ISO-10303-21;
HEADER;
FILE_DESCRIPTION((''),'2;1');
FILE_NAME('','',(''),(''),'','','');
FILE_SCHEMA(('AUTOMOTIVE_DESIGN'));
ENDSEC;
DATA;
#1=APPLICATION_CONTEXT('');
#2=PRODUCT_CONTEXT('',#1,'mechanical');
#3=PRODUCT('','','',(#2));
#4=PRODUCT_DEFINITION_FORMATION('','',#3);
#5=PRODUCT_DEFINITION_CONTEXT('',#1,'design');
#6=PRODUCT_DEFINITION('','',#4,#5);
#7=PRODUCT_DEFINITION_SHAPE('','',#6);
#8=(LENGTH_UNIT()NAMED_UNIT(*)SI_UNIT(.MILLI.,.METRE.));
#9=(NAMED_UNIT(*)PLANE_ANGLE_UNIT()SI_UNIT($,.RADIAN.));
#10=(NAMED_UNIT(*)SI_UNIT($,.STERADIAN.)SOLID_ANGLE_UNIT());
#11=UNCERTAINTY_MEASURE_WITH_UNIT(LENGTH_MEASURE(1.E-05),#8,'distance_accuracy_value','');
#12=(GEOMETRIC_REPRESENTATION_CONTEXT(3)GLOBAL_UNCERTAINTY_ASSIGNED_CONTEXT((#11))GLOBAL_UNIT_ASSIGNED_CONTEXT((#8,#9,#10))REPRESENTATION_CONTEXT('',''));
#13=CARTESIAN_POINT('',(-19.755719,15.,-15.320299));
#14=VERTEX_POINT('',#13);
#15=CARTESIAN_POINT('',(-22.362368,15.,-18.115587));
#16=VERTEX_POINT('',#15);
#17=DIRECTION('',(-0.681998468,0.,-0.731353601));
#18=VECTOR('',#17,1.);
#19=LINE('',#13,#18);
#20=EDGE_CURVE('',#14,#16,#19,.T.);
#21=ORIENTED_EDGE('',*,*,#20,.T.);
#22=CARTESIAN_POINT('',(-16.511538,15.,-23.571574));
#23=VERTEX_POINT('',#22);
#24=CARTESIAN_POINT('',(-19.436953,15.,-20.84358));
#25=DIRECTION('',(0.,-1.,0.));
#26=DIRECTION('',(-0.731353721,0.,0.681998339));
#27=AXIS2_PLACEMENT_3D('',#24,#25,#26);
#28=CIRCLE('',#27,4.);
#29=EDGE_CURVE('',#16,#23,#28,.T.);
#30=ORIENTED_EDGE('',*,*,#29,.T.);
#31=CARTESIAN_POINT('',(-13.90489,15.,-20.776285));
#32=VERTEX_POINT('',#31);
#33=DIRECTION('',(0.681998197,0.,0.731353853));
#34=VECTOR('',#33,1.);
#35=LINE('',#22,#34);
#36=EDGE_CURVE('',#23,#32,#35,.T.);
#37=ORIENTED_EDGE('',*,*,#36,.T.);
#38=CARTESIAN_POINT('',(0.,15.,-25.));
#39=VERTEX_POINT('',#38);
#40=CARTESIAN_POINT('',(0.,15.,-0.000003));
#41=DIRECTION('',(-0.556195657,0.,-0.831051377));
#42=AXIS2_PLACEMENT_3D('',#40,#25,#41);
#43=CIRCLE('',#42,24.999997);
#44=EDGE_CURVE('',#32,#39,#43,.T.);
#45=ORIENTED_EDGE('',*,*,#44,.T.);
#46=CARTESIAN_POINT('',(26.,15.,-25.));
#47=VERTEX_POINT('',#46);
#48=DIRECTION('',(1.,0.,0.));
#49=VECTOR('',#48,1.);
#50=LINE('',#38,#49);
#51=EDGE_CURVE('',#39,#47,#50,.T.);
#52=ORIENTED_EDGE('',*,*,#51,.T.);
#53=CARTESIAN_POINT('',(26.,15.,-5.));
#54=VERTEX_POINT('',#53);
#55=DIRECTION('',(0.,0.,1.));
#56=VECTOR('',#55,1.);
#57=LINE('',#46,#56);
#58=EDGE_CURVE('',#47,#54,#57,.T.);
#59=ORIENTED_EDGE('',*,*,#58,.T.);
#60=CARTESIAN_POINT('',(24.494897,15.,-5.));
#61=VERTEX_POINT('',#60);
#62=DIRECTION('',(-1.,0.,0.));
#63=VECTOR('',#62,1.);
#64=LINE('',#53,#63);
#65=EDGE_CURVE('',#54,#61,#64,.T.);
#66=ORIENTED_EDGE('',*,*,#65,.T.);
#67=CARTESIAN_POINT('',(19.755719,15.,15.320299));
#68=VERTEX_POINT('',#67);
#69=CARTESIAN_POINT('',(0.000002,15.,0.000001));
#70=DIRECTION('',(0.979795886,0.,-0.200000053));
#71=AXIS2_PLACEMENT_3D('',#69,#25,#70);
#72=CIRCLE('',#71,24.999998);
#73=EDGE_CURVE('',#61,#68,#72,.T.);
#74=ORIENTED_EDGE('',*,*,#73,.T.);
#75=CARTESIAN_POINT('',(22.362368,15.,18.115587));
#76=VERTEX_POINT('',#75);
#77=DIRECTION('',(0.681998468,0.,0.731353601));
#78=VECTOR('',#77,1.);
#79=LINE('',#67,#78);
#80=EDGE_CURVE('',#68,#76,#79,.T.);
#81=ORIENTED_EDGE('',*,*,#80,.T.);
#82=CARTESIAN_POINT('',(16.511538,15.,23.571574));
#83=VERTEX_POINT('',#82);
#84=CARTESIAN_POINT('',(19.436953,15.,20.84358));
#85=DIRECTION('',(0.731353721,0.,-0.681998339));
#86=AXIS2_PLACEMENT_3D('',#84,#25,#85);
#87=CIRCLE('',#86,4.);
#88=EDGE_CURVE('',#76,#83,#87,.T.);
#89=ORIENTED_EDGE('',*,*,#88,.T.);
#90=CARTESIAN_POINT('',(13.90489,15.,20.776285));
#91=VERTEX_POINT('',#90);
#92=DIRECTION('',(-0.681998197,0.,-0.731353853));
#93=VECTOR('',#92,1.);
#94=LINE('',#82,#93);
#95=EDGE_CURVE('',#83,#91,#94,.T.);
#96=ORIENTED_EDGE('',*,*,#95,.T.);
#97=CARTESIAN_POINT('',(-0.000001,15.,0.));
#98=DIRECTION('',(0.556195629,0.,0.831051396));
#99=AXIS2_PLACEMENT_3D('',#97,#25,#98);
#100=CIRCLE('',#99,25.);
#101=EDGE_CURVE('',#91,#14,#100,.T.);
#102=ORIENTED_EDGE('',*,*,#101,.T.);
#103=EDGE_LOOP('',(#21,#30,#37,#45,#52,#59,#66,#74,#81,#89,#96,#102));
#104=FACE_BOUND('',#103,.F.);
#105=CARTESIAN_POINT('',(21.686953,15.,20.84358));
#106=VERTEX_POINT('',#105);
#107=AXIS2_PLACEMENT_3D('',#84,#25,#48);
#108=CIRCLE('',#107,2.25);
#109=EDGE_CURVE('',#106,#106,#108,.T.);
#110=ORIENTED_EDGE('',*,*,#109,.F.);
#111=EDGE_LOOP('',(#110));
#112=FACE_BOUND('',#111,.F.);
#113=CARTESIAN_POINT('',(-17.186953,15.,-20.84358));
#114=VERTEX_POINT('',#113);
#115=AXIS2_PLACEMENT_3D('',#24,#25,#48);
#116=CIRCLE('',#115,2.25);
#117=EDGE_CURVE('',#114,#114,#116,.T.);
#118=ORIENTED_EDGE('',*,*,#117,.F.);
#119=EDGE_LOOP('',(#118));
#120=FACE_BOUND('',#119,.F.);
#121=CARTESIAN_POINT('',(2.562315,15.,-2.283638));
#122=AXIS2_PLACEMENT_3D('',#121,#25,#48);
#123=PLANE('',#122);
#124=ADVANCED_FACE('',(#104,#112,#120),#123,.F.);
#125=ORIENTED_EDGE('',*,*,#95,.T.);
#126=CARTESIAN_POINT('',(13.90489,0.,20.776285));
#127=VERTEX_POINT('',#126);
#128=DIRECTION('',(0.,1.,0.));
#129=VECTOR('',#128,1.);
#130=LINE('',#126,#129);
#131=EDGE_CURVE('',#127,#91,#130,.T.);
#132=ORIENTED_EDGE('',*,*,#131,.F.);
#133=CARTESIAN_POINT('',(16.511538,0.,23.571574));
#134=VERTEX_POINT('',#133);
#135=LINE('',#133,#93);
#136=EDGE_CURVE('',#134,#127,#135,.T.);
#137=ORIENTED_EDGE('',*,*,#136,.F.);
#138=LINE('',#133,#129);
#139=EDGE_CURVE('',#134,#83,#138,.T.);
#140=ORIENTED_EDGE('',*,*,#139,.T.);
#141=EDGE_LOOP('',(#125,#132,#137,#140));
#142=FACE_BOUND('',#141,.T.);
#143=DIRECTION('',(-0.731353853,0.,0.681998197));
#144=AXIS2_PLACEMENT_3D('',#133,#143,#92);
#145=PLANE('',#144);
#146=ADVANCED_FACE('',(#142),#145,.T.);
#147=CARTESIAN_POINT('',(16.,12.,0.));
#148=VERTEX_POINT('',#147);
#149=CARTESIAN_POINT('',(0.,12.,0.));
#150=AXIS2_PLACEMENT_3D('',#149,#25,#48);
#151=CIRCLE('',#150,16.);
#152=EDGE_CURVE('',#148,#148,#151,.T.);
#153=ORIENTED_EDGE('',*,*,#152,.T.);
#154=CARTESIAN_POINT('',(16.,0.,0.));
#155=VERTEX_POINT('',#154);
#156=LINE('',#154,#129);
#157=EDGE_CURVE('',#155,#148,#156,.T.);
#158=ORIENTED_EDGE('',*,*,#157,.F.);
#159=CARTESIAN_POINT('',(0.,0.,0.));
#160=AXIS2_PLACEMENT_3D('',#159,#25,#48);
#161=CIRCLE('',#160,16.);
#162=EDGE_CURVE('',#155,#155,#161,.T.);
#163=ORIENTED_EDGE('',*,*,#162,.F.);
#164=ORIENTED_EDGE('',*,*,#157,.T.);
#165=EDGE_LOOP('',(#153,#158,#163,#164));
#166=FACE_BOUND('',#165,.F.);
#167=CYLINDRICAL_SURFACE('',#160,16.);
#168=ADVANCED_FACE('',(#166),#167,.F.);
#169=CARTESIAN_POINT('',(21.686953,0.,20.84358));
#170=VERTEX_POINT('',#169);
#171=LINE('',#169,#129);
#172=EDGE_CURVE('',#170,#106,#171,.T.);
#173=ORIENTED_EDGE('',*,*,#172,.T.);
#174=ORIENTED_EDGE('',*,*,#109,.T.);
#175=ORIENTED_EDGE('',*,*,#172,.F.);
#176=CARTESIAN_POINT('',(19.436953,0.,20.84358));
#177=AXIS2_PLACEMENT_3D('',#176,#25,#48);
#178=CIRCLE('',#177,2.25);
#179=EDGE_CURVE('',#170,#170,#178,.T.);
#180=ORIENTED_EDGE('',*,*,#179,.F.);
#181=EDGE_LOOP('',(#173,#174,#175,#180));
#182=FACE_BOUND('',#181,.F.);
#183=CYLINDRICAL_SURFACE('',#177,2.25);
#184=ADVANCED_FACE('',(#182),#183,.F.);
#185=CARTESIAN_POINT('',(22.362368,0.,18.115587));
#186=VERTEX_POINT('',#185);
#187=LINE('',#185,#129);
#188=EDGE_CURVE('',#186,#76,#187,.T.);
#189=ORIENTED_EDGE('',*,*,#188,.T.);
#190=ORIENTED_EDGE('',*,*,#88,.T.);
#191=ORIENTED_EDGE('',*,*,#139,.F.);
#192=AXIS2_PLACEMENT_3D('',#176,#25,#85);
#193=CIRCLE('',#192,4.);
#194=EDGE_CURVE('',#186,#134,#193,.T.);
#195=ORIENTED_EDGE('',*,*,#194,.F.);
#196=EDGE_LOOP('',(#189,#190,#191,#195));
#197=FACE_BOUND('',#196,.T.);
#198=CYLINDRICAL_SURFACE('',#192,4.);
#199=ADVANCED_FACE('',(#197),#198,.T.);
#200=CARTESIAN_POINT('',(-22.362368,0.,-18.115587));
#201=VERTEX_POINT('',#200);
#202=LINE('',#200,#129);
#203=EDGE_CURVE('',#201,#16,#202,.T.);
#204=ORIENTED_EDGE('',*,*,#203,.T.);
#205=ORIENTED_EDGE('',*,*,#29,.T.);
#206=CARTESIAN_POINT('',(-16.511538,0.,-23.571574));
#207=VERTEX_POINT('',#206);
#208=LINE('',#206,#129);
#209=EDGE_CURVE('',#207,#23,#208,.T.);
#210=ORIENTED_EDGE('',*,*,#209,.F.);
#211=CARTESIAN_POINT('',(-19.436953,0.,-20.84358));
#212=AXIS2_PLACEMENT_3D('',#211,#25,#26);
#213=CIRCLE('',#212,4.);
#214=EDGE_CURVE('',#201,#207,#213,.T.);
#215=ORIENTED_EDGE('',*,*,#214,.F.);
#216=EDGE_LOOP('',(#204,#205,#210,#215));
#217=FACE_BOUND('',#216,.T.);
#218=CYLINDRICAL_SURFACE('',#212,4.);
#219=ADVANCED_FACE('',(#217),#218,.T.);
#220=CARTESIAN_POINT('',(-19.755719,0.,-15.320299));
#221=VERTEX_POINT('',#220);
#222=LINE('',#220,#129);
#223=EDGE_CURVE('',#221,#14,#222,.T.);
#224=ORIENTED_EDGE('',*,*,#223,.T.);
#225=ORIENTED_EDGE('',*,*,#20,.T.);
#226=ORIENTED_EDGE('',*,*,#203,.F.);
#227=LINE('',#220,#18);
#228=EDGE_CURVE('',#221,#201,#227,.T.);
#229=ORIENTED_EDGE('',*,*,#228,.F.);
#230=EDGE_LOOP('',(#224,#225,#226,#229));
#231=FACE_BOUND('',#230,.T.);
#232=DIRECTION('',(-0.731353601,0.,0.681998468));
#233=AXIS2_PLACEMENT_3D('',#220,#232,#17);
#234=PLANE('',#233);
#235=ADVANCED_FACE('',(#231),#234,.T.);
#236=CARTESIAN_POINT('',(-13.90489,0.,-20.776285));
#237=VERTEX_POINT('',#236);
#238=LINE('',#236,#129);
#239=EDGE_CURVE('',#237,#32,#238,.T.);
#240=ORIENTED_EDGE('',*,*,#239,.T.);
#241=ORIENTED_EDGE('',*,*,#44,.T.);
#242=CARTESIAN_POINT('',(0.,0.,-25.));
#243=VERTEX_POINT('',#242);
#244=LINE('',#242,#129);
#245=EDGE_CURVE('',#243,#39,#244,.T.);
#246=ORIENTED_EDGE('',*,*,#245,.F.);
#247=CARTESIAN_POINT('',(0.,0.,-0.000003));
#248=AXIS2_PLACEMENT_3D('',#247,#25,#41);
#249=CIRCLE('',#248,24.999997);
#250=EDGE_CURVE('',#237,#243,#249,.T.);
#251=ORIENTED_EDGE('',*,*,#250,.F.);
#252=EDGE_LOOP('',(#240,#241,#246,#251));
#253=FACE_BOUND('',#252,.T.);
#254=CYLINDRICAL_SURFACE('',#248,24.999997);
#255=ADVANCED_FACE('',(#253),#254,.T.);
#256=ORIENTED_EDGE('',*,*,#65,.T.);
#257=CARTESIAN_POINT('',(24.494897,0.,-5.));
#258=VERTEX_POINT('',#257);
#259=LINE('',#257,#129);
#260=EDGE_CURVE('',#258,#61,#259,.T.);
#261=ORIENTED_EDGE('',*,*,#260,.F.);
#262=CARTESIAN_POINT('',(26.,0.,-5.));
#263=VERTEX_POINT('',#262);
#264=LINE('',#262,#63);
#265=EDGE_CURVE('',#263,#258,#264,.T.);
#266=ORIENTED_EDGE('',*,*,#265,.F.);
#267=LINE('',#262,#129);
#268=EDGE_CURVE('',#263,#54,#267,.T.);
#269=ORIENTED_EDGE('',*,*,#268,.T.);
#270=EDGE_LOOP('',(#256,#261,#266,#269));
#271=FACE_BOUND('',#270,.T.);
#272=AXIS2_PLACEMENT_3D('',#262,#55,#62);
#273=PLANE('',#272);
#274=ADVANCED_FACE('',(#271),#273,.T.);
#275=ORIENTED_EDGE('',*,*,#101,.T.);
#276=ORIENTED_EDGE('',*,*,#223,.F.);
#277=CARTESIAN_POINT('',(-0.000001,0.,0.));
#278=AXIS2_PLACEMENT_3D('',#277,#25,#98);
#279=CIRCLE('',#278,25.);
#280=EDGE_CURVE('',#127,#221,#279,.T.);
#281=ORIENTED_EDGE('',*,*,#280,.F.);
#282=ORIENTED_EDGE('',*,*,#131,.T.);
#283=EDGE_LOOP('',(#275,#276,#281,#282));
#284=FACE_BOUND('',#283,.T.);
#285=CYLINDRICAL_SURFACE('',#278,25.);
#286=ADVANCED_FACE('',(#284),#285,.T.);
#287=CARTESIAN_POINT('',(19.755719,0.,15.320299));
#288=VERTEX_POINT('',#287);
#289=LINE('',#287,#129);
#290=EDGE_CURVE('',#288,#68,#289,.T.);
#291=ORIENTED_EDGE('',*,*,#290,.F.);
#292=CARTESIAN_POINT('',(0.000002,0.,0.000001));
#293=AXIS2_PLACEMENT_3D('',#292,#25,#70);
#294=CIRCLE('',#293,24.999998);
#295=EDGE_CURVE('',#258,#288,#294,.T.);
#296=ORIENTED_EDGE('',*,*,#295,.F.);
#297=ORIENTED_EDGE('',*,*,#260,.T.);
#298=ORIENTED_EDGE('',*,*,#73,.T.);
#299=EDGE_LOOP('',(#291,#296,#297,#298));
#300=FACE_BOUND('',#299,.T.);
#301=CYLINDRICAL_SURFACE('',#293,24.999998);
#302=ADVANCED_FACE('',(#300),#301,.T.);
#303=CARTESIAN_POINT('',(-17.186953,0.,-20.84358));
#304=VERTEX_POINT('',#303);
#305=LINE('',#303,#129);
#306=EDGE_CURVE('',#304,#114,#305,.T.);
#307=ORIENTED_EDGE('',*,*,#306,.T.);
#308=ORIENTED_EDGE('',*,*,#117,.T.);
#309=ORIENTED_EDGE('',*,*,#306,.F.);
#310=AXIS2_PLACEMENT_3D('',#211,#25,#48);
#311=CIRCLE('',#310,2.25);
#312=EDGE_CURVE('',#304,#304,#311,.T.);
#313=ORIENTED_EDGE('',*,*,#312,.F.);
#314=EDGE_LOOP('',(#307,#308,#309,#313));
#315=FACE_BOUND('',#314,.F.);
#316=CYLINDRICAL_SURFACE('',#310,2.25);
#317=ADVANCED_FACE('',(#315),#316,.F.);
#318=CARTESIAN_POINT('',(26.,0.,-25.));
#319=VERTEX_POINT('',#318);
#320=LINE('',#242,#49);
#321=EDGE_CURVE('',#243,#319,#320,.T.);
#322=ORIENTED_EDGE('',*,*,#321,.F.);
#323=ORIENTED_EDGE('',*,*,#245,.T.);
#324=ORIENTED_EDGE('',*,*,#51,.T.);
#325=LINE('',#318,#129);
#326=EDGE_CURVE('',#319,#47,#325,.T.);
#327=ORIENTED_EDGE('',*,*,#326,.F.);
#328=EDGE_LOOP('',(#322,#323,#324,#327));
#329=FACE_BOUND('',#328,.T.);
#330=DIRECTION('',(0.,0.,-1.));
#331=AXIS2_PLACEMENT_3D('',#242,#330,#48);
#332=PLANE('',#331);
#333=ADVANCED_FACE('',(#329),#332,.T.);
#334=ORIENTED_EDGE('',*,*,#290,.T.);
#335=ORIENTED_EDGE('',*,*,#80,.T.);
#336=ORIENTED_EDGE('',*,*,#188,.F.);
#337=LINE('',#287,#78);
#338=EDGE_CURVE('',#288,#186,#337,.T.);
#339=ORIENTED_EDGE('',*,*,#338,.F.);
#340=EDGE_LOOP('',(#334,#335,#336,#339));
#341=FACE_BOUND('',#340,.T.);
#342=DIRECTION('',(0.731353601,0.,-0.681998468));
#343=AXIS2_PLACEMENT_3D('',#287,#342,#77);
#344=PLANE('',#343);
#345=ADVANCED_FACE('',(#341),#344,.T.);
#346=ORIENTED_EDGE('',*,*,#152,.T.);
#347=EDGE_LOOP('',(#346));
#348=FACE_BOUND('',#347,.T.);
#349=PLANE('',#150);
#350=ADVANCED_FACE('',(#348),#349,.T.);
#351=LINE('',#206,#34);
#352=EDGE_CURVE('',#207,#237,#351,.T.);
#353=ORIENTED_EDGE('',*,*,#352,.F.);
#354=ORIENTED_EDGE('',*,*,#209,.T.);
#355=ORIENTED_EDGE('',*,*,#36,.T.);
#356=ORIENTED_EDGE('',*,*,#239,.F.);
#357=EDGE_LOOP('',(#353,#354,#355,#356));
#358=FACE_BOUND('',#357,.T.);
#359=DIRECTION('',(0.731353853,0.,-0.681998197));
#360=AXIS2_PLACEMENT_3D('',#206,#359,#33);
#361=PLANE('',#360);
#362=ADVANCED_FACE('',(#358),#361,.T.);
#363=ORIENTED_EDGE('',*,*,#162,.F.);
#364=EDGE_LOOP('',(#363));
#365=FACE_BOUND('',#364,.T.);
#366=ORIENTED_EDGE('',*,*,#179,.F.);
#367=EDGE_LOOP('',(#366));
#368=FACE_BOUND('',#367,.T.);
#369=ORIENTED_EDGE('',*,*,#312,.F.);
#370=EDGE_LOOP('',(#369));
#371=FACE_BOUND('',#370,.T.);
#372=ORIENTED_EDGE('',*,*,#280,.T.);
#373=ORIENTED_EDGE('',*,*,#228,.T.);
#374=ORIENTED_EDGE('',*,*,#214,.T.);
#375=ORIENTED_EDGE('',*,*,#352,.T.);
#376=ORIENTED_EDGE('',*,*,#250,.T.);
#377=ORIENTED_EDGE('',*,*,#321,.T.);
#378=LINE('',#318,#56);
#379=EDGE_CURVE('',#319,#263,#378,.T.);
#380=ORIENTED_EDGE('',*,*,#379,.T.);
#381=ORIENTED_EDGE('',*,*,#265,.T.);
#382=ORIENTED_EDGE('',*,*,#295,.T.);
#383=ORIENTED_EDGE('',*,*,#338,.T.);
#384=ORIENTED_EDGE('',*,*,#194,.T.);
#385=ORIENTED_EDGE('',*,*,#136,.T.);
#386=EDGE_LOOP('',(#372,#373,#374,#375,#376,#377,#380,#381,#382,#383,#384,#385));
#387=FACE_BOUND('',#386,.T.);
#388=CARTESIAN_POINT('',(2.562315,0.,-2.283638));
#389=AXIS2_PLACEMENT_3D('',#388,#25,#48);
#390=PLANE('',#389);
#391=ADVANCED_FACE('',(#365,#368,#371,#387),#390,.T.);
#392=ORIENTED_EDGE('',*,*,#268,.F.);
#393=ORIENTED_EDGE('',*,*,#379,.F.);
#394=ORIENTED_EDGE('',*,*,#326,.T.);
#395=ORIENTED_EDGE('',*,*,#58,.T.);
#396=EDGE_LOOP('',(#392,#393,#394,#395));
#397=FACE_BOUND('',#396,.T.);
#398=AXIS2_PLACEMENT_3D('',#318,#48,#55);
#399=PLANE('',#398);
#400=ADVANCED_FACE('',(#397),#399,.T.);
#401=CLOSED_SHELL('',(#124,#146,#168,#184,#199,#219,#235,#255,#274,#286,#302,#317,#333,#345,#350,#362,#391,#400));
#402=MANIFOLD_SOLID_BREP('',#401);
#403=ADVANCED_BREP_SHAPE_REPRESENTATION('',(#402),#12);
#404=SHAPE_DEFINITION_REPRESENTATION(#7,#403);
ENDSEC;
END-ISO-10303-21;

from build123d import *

# Parameters (mm, degrees)
F0_R     = 2.25
F1_DEPTH = 15
F2_R     = 16
F3_DEPTH = 12


with BuildPart() as f1:
    # F0 (on Front) → F1 (new body)
    with BuildSketch(Plane.XZ):
        with BuildLine():
            Line((26, -5), (24.494897, -5))
            ThreePointArc((24.494897, -5), (24.34662, 5.678212), (19.755719, 15.320299))
            Line((19.755719, 15.320299), (22.362368, 18.115587))
            ThreePointArc((22.362368, 18.115587), (22.164947, 23.768995), (16.511538, 23.571574))
            Line((16.511538, 23.571574), (13.90489, 20.776285))
            ThreePointArc((13.90489, 20.776285), (-18.283843, 17.049959), (-19.755719, -15.320299))
            Line((-19.755719, -15.320299), (-22.362368, -18.115587))
            ThreePointArc((-22.362368, -18.115587), (-22.164947, -23.768995), (-16.511538, -23.571574))
            Line((-16.511538, -23.571574), (-13.90489, -20.776285))
            ThreePointArc((-13.90489, -20.776285), (-7.266115, -23.920777), (0, -25))
            Line((0, -25), (26, -25))
            Line((26, -25), (26, -5))
        make_face()
        with Locations((-19.436953, -20.84358)):
            Circle(F0_R, mode=Mode.SUBTRACT)
        with Locations((19.436953, 20.84358)):
            Circle(F0_R, mode=Mode.SUBTRACT)
    extrude(amount=-F1_DEPTH)

    # F2 (on face) → F3 (cut)
    with BuildSketch(Plane.XZ):
        Circle(F2_R)
    extrude(amount=-F3_DEPTH, mode=Mode.SUBTRACT)


solid = f1.part
